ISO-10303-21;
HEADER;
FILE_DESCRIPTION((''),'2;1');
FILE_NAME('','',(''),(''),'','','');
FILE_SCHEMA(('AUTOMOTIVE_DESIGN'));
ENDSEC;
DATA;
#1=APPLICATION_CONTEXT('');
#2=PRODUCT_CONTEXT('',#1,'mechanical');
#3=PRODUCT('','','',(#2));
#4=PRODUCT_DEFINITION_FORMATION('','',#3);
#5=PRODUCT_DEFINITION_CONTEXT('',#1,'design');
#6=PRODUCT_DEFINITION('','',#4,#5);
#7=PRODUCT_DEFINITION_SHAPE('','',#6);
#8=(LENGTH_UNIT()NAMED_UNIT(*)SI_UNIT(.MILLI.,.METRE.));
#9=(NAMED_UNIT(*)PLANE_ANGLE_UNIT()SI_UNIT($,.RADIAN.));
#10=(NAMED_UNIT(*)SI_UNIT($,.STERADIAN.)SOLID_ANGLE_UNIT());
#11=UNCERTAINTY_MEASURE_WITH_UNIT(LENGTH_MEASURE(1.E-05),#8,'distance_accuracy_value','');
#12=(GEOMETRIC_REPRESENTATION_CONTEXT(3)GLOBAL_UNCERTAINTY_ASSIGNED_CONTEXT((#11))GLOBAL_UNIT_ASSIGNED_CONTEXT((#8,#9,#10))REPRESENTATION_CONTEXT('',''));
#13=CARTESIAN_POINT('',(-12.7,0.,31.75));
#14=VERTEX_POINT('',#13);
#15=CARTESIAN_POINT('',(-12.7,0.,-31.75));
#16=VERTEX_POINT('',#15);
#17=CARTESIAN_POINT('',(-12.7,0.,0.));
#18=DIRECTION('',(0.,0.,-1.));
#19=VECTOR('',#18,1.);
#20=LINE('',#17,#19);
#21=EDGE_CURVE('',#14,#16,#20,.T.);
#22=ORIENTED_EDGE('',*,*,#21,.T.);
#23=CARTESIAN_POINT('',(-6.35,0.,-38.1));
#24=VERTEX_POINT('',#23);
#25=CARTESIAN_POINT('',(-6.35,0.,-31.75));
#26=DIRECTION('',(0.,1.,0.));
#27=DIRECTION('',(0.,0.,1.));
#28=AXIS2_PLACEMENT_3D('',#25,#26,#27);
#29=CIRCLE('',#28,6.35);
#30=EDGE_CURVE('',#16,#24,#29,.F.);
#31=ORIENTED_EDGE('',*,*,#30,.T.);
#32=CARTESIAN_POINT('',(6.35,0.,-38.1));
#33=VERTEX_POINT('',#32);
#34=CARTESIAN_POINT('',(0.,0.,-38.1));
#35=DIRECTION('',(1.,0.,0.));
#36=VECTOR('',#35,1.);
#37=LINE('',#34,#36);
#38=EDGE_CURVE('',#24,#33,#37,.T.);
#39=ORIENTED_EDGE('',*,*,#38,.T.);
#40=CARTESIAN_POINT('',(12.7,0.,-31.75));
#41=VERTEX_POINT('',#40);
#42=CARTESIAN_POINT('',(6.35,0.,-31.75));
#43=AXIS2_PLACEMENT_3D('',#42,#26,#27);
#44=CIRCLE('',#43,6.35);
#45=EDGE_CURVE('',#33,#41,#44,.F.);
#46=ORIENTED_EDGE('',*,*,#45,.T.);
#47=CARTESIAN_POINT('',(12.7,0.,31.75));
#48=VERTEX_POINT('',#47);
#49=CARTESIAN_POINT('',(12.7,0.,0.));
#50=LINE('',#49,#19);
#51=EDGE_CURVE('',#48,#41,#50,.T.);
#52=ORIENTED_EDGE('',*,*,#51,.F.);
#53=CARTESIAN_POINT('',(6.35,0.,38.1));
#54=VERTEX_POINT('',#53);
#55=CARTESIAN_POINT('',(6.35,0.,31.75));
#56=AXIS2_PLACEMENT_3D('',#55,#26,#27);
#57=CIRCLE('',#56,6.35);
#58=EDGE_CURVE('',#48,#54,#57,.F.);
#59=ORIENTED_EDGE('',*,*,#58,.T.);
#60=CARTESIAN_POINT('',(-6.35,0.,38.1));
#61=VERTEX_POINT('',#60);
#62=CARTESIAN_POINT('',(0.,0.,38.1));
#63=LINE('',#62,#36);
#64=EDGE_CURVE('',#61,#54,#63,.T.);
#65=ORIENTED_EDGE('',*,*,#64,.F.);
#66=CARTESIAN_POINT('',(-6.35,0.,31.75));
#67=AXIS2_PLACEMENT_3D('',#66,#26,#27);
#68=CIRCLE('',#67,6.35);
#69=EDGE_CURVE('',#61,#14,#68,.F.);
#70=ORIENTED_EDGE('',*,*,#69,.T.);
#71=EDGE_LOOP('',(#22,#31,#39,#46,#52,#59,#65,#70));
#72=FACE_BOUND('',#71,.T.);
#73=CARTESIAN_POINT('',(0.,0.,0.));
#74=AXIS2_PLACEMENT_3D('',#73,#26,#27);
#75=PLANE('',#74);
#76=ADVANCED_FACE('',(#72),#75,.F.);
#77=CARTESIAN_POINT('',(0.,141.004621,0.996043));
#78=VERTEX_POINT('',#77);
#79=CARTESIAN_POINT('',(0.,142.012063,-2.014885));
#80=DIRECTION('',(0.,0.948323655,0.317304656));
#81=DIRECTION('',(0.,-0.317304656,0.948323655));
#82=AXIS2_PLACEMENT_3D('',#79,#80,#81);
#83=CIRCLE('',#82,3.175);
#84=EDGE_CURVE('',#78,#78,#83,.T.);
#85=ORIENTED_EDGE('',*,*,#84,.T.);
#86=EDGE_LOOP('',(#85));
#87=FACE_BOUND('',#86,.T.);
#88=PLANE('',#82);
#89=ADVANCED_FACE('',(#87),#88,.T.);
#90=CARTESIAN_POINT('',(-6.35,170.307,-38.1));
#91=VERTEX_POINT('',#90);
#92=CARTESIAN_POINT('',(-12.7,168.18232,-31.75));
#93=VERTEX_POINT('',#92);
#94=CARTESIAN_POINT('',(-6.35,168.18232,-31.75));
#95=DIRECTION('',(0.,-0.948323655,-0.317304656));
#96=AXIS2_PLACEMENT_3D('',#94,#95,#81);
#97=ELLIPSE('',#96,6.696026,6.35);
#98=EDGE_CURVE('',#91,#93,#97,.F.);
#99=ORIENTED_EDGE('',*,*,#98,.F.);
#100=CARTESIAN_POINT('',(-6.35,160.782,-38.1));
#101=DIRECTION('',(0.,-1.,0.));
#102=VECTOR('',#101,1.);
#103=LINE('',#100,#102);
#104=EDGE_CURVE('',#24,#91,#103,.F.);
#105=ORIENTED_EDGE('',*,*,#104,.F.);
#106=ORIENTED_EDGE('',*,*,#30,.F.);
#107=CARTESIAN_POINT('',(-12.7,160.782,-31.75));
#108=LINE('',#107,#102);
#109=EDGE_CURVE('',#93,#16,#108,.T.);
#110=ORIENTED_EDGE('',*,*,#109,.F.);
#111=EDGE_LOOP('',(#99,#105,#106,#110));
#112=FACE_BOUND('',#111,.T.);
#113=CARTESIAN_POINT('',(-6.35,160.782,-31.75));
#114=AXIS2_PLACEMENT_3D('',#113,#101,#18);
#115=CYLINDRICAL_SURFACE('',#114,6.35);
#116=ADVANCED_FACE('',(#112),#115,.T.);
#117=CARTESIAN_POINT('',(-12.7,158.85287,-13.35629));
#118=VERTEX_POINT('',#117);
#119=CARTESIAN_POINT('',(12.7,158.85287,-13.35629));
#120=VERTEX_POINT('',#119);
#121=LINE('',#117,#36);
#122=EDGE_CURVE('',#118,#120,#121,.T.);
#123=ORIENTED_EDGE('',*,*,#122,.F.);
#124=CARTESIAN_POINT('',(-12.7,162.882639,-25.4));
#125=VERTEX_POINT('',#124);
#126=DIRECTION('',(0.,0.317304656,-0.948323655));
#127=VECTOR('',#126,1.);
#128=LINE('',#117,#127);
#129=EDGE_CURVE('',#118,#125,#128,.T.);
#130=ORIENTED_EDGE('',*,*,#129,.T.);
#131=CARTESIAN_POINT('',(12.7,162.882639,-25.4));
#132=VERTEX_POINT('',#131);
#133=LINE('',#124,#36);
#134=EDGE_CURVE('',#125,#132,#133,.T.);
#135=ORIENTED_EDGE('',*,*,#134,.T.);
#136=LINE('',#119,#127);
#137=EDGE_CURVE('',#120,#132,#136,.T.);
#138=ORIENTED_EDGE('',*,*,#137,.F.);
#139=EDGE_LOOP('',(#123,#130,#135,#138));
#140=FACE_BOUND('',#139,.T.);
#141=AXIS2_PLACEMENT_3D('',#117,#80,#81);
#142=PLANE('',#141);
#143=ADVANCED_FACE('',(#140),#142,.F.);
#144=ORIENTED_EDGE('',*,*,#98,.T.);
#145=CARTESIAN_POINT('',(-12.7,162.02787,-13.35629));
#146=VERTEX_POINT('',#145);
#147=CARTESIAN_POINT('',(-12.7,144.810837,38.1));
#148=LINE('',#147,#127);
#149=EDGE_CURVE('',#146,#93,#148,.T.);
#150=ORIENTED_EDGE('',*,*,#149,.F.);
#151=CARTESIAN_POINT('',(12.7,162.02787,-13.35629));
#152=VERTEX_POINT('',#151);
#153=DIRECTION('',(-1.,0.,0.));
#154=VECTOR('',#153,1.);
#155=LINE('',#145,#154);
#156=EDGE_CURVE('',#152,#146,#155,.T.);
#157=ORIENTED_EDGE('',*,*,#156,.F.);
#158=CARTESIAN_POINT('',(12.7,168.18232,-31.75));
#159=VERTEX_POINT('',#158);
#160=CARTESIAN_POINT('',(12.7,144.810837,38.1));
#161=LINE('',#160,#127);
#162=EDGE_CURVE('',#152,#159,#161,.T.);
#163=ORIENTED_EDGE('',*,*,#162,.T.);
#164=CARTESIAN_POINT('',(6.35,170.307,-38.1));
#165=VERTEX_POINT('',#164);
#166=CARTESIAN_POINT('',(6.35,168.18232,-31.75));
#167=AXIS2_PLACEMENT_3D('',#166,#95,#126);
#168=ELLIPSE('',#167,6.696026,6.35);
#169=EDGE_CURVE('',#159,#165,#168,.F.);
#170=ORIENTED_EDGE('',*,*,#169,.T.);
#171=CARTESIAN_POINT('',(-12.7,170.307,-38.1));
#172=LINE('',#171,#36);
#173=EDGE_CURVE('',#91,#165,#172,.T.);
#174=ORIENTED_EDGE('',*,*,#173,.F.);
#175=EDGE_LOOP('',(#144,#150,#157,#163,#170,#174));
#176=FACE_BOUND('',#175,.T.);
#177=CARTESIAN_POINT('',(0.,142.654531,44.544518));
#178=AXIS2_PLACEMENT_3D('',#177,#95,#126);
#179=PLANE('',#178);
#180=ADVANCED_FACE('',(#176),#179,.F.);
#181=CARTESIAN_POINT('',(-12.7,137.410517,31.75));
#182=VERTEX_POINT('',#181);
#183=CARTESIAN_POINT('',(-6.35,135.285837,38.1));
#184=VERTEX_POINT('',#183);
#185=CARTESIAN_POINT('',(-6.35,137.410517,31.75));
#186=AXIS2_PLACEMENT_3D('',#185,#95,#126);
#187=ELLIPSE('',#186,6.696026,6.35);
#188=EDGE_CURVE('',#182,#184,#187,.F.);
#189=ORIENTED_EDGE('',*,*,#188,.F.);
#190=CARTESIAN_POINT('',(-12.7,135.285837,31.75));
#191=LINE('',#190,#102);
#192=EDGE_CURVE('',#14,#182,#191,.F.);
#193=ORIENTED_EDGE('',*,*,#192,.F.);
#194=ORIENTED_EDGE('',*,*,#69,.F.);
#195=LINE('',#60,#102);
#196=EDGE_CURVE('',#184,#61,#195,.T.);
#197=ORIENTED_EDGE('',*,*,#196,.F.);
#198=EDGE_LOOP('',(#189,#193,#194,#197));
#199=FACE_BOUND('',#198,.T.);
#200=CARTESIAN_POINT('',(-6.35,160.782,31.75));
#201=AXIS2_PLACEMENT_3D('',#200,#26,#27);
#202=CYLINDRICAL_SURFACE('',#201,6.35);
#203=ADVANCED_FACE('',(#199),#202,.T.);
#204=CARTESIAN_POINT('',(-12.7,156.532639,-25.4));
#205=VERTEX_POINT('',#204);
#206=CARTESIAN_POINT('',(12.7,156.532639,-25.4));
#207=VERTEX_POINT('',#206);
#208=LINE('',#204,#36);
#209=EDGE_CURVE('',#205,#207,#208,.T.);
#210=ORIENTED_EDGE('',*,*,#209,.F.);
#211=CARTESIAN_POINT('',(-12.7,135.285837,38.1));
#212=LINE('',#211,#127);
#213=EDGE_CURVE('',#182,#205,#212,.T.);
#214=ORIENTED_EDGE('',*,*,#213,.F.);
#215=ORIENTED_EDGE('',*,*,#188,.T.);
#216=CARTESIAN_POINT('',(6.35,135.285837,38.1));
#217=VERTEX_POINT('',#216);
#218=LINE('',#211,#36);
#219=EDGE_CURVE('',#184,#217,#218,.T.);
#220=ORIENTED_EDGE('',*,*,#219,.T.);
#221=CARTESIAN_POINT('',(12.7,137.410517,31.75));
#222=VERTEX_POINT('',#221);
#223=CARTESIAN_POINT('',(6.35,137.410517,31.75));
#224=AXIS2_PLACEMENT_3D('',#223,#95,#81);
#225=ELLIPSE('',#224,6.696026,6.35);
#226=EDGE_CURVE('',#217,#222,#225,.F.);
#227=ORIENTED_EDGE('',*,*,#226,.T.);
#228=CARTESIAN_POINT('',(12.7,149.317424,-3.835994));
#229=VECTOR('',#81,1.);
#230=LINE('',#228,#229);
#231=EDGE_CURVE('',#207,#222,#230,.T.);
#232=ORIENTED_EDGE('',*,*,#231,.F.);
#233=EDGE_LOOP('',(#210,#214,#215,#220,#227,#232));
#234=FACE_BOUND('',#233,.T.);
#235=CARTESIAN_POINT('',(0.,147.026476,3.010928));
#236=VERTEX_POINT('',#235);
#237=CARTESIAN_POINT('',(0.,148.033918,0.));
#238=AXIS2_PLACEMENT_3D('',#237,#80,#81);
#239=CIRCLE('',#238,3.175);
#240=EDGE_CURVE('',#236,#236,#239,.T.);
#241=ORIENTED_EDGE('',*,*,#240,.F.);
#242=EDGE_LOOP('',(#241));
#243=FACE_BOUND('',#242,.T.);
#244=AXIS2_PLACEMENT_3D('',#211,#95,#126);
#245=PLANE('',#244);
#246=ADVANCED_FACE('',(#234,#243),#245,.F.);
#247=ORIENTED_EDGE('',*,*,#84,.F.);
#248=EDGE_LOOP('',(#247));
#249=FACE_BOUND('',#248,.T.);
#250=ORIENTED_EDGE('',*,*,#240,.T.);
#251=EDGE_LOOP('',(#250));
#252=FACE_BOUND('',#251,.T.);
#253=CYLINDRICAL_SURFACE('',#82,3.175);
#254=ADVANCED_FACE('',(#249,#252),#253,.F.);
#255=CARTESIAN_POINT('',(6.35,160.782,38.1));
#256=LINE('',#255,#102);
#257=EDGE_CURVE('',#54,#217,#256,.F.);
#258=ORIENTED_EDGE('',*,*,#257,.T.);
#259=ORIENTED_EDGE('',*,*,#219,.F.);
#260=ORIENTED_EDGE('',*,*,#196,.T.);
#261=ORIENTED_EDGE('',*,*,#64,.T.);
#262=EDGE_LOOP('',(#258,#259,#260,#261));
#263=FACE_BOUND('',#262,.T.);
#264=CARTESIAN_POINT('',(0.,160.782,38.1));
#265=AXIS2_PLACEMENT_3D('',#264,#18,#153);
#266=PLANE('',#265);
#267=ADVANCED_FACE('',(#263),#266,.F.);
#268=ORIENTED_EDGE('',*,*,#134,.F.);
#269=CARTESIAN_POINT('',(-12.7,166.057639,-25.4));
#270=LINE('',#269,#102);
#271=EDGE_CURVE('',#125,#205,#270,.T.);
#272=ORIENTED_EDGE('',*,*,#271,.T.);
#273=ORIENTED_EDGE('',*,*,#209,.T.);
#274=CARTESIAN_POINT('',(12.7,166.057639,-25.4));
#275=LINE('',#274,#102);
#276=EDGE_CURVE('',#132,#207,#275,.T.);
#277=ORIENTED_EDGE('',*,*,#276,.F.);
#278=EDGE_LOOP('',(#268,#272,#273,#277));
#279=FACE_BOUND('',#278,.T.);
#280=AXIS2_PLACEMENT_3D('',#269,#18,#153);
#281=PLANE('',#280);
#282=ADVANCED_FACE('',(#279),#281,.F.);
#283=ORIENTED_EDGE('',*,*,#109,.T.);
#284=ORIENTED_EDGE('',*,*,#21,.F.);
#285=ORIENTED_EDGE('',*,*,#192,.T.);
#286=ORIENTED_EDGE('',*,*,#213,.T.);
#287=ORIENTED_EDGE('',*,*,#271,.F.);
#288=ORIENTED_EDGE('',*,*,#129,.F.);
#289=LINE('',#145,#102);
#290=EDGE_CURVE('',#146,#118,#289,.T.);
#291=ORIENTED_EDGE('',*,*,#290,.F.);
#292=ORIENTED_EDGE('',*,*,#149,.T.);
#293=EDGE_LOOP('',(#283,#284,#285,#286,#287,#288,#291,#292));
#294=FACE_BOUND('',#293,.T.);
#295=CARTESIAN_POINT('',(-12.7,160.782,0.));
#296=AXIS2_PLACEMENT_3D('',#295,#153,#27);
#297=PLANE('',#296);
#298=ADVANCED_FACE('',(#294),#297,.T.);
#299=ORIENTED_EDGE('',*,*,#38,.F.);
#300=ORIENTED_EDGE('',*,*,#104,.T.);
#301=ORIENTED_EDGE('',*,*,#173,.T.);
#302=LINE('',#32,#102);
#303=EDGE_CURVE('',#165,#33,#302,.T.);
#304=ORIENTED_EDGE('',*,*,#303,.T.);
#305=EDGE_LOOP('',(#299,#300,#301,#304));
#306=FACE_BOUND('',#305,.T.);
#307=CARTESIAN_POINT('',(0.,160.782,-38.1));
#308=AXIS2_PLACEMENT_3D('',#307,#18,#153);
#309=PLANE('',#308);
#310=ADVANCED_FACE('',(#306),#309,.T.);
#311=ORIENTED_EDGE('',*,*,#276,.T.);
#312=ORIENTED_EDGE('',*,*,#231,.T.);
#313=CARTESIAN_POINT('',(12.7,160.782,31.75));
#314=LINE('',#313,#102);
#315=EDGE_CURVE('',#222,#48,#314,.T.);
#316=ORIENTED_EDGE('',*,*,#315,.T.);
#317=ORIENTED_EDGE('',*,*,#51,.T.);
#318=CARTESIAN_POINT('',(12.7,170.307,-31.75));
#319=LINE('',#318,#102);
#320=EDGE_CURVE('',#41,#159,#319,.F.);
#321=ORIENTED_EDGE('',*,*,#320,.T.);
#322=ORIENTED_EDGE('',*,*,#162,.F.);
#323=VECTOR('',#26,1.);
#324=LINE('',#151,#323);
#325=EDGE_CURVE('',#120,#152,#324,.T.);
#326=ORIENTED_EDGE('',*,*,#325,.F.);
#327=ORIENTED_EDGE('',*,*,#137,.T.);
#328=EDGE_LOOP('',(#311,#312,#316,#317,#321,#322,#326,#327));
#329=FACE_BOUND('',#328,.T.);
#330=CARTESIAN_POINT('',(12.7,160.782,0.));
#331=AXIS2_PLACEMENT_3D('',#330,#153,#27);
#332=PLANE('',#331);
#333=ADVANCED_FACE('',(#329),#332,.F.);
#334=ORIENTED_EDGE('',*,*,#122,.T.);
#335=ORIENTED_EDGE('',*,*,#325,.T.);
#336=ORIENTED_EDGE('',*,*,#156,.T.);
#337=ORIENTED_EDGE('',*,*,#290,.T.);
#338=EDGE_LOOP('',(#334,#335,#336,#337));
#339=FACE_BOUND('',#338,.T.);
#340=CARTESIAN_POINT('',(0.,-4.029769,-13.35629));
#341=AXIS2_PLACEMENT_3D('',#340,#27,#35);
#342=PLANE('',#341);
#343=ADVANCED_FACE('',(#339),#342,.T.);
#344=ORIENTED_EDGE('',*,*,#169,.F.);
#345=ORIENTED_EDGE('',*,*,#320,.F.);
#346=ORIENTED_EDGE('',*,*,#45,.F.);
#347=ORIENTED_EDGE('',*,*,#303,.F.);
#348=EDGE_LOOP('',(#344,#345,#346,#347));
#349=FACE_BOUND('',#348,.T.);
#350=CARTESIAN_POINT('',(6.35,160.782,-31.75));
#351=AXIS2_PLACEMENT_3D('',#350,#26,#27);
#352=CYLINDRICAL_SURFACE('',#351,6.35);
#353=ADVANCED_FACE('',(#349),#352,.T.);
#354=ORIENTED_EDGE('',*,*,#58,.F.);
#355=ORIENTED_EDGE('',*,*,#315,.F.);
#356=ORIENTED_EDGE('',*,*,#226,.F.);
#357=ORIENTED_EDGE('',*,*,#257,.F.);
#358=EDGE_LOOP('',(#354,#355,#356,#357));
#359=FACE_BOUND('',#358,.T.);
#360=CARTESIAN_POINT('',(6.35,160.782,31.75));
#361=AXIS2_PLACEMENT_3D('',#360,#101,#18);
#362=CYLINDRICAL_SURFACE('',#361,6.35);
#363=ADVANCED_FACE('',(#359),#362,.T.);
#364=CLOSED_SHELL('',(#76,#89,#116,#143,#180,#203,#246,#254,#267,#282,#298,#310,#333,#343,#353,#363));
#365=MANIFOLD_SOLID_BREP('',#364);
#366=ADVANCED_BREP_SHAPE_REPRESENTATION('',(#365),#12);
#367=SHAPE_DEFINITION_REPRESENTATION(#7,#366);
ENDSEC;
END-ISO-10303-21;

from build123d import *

# Parameters (mm, degrees)
SKETCH1_W               = 25.4
SKETCH1_H               = 76.2
BOSS_EXTRUDE1_DEPTH     = 160.782
CUT_EXTRUDE2_DEPTH      = 168.175421411
CUT_EXTRUDE2_DEPTH_BACK = 168.175421411
SKETCH5_R               = 3.175
CUT_EXTRUDE3_DEPTH      = 6.35
BOSS_EXTRUDE2_REACH     = 177.247
SKETCH1_5_W             = 25.4
SKETCH1_5_H             = 12.7
SKETCH8_W               = 25.4
SKETCH8_H               = 3.175
BOSS_EXTRUDE3_DEPTH     = 12.7
FILLET1_R               = 6.35


with BuildPart() as part:
    # Sketch1 → Boss-Extrude1 (new body)
    with BuildSketch(Plane(origin=(0, 0, 0), x_dir=(1, 0, 0), z_dir=(0, 1, 0))):
        Rectangle(SKETCH1_W, SKETCH1_H)
    extrude(amount=BOSS_EXTRUDE1_DEPTH)

    # Sketch4 → Cut-Extrude2 (cut, two sides: drawn at the far end of the back side and taken through both)
    with BuildSketch(Plane(origin=(12.7, 0, 0), x_dir=(0, 0, -1), z_dir=(1, 0, 0)).offset(-CUT_EXTRUDE2_DEPTH_BACK)):
        Polygon((38.1, 160.782), (-38.1, 160.782), (-38.1, 135.285836654), align=None)
    extrude(amount=CUT_EXTRUDE2_DEPTH + CUT_EXTRUDE2_DEPTH_BACK, mode=Mode.SUBTRACT)

    # Sketch5 → Cut-Extrude3 (cut)
    with BuildSketch(Plane(origin=(0, 133.129531097, 44.544517993), x_dir=(1, 0, 0), z_dir=(0, 0.9483236552061992, 0.3173046564050927))):
        with Locations((0, 46.971851591)):
            Circle(SKETCH5_R)
    extrude(amount=-CUT_EXTRUDE3_DEPTH, mode=Mode.SUBTRACT)

    # Boss-Extrude2: from a plane face, 177.247 long prism both ways, kept between that surface and its translate by the depth
    boss_extrude2_start = Plane(origin=(-12.7, 135.285836654, 38.1), z_dir=(0, -0.9483236552061991, -0.31730465640509276)) * Box(710.988, 710.988, 355.494, align=(Align.CENTER, Align.CENTER, Align.MIN), mode=Mode.PRIVATE)
    boss_extrude2_end = Plane(origin=(-12.7, 144.810836654, 38.1), z_dir=(0, -0.9483236552061991, -0.31730465640509276)) * Box(710.988, 710.988, 355.494, align=(Align.CENTER, Align.CENTER, Align.MIN), mode=Mode.PRIVATE)
    # Sketch1<5> → Boss-Extrude2 (add, from a surface)
    with BuildSketch(Plane(origin=(0, 0, 0), x_dir=(1, 0, 0), z_dir=(0, 1, 0)), mode=Mode.PRIVATE) as boss_extrude2_sk1:
        with Locations((0, 31.75)):
            Rectangle(SKETCH1_5_W, SKETCH1_5_H)
    boss_extrude2_tool1 = extrude(boss_extrude2_sk1.sketch, amount=BOSS_EXTRUDE2_REACH, both=True, mode=Mode.PRIVATE)
    add(((boss_extrude2_tool1 - boss_extrude2_start) & boss_extrude2_end).solids().sort_by_distance((0, 147.026476, 3.010928))[0])

    # Sketch8 → Boss-Extrude3 (add, along a direction that is not the sketch's normal)
    with BuildSketch(Plane.XY.offset(-25.4)):
        with Locations((0, 164.470139442)):
            Rectangle(SKETCH8_W, SKETCH8_H)
    extrude(amount=BOSS_EXTRUDE3_DEPTH, dir=(0, -0.31730465640509276, 0.9483236552061991))

    # Fillet1
    fillet1_edges = [part.edges().sort_by_distance(p)[0] for p in [
        (-12.7, 85.1535, -38.1),
        (12.7, 85.1535, -38.1),
        (-12.7, 67.642918327, 38.1),
        (12.7, 67.642918327, 38.1),
    ]]
    fillet(fillet1_edges, radius=FILLET1_R)


solid = part.part
